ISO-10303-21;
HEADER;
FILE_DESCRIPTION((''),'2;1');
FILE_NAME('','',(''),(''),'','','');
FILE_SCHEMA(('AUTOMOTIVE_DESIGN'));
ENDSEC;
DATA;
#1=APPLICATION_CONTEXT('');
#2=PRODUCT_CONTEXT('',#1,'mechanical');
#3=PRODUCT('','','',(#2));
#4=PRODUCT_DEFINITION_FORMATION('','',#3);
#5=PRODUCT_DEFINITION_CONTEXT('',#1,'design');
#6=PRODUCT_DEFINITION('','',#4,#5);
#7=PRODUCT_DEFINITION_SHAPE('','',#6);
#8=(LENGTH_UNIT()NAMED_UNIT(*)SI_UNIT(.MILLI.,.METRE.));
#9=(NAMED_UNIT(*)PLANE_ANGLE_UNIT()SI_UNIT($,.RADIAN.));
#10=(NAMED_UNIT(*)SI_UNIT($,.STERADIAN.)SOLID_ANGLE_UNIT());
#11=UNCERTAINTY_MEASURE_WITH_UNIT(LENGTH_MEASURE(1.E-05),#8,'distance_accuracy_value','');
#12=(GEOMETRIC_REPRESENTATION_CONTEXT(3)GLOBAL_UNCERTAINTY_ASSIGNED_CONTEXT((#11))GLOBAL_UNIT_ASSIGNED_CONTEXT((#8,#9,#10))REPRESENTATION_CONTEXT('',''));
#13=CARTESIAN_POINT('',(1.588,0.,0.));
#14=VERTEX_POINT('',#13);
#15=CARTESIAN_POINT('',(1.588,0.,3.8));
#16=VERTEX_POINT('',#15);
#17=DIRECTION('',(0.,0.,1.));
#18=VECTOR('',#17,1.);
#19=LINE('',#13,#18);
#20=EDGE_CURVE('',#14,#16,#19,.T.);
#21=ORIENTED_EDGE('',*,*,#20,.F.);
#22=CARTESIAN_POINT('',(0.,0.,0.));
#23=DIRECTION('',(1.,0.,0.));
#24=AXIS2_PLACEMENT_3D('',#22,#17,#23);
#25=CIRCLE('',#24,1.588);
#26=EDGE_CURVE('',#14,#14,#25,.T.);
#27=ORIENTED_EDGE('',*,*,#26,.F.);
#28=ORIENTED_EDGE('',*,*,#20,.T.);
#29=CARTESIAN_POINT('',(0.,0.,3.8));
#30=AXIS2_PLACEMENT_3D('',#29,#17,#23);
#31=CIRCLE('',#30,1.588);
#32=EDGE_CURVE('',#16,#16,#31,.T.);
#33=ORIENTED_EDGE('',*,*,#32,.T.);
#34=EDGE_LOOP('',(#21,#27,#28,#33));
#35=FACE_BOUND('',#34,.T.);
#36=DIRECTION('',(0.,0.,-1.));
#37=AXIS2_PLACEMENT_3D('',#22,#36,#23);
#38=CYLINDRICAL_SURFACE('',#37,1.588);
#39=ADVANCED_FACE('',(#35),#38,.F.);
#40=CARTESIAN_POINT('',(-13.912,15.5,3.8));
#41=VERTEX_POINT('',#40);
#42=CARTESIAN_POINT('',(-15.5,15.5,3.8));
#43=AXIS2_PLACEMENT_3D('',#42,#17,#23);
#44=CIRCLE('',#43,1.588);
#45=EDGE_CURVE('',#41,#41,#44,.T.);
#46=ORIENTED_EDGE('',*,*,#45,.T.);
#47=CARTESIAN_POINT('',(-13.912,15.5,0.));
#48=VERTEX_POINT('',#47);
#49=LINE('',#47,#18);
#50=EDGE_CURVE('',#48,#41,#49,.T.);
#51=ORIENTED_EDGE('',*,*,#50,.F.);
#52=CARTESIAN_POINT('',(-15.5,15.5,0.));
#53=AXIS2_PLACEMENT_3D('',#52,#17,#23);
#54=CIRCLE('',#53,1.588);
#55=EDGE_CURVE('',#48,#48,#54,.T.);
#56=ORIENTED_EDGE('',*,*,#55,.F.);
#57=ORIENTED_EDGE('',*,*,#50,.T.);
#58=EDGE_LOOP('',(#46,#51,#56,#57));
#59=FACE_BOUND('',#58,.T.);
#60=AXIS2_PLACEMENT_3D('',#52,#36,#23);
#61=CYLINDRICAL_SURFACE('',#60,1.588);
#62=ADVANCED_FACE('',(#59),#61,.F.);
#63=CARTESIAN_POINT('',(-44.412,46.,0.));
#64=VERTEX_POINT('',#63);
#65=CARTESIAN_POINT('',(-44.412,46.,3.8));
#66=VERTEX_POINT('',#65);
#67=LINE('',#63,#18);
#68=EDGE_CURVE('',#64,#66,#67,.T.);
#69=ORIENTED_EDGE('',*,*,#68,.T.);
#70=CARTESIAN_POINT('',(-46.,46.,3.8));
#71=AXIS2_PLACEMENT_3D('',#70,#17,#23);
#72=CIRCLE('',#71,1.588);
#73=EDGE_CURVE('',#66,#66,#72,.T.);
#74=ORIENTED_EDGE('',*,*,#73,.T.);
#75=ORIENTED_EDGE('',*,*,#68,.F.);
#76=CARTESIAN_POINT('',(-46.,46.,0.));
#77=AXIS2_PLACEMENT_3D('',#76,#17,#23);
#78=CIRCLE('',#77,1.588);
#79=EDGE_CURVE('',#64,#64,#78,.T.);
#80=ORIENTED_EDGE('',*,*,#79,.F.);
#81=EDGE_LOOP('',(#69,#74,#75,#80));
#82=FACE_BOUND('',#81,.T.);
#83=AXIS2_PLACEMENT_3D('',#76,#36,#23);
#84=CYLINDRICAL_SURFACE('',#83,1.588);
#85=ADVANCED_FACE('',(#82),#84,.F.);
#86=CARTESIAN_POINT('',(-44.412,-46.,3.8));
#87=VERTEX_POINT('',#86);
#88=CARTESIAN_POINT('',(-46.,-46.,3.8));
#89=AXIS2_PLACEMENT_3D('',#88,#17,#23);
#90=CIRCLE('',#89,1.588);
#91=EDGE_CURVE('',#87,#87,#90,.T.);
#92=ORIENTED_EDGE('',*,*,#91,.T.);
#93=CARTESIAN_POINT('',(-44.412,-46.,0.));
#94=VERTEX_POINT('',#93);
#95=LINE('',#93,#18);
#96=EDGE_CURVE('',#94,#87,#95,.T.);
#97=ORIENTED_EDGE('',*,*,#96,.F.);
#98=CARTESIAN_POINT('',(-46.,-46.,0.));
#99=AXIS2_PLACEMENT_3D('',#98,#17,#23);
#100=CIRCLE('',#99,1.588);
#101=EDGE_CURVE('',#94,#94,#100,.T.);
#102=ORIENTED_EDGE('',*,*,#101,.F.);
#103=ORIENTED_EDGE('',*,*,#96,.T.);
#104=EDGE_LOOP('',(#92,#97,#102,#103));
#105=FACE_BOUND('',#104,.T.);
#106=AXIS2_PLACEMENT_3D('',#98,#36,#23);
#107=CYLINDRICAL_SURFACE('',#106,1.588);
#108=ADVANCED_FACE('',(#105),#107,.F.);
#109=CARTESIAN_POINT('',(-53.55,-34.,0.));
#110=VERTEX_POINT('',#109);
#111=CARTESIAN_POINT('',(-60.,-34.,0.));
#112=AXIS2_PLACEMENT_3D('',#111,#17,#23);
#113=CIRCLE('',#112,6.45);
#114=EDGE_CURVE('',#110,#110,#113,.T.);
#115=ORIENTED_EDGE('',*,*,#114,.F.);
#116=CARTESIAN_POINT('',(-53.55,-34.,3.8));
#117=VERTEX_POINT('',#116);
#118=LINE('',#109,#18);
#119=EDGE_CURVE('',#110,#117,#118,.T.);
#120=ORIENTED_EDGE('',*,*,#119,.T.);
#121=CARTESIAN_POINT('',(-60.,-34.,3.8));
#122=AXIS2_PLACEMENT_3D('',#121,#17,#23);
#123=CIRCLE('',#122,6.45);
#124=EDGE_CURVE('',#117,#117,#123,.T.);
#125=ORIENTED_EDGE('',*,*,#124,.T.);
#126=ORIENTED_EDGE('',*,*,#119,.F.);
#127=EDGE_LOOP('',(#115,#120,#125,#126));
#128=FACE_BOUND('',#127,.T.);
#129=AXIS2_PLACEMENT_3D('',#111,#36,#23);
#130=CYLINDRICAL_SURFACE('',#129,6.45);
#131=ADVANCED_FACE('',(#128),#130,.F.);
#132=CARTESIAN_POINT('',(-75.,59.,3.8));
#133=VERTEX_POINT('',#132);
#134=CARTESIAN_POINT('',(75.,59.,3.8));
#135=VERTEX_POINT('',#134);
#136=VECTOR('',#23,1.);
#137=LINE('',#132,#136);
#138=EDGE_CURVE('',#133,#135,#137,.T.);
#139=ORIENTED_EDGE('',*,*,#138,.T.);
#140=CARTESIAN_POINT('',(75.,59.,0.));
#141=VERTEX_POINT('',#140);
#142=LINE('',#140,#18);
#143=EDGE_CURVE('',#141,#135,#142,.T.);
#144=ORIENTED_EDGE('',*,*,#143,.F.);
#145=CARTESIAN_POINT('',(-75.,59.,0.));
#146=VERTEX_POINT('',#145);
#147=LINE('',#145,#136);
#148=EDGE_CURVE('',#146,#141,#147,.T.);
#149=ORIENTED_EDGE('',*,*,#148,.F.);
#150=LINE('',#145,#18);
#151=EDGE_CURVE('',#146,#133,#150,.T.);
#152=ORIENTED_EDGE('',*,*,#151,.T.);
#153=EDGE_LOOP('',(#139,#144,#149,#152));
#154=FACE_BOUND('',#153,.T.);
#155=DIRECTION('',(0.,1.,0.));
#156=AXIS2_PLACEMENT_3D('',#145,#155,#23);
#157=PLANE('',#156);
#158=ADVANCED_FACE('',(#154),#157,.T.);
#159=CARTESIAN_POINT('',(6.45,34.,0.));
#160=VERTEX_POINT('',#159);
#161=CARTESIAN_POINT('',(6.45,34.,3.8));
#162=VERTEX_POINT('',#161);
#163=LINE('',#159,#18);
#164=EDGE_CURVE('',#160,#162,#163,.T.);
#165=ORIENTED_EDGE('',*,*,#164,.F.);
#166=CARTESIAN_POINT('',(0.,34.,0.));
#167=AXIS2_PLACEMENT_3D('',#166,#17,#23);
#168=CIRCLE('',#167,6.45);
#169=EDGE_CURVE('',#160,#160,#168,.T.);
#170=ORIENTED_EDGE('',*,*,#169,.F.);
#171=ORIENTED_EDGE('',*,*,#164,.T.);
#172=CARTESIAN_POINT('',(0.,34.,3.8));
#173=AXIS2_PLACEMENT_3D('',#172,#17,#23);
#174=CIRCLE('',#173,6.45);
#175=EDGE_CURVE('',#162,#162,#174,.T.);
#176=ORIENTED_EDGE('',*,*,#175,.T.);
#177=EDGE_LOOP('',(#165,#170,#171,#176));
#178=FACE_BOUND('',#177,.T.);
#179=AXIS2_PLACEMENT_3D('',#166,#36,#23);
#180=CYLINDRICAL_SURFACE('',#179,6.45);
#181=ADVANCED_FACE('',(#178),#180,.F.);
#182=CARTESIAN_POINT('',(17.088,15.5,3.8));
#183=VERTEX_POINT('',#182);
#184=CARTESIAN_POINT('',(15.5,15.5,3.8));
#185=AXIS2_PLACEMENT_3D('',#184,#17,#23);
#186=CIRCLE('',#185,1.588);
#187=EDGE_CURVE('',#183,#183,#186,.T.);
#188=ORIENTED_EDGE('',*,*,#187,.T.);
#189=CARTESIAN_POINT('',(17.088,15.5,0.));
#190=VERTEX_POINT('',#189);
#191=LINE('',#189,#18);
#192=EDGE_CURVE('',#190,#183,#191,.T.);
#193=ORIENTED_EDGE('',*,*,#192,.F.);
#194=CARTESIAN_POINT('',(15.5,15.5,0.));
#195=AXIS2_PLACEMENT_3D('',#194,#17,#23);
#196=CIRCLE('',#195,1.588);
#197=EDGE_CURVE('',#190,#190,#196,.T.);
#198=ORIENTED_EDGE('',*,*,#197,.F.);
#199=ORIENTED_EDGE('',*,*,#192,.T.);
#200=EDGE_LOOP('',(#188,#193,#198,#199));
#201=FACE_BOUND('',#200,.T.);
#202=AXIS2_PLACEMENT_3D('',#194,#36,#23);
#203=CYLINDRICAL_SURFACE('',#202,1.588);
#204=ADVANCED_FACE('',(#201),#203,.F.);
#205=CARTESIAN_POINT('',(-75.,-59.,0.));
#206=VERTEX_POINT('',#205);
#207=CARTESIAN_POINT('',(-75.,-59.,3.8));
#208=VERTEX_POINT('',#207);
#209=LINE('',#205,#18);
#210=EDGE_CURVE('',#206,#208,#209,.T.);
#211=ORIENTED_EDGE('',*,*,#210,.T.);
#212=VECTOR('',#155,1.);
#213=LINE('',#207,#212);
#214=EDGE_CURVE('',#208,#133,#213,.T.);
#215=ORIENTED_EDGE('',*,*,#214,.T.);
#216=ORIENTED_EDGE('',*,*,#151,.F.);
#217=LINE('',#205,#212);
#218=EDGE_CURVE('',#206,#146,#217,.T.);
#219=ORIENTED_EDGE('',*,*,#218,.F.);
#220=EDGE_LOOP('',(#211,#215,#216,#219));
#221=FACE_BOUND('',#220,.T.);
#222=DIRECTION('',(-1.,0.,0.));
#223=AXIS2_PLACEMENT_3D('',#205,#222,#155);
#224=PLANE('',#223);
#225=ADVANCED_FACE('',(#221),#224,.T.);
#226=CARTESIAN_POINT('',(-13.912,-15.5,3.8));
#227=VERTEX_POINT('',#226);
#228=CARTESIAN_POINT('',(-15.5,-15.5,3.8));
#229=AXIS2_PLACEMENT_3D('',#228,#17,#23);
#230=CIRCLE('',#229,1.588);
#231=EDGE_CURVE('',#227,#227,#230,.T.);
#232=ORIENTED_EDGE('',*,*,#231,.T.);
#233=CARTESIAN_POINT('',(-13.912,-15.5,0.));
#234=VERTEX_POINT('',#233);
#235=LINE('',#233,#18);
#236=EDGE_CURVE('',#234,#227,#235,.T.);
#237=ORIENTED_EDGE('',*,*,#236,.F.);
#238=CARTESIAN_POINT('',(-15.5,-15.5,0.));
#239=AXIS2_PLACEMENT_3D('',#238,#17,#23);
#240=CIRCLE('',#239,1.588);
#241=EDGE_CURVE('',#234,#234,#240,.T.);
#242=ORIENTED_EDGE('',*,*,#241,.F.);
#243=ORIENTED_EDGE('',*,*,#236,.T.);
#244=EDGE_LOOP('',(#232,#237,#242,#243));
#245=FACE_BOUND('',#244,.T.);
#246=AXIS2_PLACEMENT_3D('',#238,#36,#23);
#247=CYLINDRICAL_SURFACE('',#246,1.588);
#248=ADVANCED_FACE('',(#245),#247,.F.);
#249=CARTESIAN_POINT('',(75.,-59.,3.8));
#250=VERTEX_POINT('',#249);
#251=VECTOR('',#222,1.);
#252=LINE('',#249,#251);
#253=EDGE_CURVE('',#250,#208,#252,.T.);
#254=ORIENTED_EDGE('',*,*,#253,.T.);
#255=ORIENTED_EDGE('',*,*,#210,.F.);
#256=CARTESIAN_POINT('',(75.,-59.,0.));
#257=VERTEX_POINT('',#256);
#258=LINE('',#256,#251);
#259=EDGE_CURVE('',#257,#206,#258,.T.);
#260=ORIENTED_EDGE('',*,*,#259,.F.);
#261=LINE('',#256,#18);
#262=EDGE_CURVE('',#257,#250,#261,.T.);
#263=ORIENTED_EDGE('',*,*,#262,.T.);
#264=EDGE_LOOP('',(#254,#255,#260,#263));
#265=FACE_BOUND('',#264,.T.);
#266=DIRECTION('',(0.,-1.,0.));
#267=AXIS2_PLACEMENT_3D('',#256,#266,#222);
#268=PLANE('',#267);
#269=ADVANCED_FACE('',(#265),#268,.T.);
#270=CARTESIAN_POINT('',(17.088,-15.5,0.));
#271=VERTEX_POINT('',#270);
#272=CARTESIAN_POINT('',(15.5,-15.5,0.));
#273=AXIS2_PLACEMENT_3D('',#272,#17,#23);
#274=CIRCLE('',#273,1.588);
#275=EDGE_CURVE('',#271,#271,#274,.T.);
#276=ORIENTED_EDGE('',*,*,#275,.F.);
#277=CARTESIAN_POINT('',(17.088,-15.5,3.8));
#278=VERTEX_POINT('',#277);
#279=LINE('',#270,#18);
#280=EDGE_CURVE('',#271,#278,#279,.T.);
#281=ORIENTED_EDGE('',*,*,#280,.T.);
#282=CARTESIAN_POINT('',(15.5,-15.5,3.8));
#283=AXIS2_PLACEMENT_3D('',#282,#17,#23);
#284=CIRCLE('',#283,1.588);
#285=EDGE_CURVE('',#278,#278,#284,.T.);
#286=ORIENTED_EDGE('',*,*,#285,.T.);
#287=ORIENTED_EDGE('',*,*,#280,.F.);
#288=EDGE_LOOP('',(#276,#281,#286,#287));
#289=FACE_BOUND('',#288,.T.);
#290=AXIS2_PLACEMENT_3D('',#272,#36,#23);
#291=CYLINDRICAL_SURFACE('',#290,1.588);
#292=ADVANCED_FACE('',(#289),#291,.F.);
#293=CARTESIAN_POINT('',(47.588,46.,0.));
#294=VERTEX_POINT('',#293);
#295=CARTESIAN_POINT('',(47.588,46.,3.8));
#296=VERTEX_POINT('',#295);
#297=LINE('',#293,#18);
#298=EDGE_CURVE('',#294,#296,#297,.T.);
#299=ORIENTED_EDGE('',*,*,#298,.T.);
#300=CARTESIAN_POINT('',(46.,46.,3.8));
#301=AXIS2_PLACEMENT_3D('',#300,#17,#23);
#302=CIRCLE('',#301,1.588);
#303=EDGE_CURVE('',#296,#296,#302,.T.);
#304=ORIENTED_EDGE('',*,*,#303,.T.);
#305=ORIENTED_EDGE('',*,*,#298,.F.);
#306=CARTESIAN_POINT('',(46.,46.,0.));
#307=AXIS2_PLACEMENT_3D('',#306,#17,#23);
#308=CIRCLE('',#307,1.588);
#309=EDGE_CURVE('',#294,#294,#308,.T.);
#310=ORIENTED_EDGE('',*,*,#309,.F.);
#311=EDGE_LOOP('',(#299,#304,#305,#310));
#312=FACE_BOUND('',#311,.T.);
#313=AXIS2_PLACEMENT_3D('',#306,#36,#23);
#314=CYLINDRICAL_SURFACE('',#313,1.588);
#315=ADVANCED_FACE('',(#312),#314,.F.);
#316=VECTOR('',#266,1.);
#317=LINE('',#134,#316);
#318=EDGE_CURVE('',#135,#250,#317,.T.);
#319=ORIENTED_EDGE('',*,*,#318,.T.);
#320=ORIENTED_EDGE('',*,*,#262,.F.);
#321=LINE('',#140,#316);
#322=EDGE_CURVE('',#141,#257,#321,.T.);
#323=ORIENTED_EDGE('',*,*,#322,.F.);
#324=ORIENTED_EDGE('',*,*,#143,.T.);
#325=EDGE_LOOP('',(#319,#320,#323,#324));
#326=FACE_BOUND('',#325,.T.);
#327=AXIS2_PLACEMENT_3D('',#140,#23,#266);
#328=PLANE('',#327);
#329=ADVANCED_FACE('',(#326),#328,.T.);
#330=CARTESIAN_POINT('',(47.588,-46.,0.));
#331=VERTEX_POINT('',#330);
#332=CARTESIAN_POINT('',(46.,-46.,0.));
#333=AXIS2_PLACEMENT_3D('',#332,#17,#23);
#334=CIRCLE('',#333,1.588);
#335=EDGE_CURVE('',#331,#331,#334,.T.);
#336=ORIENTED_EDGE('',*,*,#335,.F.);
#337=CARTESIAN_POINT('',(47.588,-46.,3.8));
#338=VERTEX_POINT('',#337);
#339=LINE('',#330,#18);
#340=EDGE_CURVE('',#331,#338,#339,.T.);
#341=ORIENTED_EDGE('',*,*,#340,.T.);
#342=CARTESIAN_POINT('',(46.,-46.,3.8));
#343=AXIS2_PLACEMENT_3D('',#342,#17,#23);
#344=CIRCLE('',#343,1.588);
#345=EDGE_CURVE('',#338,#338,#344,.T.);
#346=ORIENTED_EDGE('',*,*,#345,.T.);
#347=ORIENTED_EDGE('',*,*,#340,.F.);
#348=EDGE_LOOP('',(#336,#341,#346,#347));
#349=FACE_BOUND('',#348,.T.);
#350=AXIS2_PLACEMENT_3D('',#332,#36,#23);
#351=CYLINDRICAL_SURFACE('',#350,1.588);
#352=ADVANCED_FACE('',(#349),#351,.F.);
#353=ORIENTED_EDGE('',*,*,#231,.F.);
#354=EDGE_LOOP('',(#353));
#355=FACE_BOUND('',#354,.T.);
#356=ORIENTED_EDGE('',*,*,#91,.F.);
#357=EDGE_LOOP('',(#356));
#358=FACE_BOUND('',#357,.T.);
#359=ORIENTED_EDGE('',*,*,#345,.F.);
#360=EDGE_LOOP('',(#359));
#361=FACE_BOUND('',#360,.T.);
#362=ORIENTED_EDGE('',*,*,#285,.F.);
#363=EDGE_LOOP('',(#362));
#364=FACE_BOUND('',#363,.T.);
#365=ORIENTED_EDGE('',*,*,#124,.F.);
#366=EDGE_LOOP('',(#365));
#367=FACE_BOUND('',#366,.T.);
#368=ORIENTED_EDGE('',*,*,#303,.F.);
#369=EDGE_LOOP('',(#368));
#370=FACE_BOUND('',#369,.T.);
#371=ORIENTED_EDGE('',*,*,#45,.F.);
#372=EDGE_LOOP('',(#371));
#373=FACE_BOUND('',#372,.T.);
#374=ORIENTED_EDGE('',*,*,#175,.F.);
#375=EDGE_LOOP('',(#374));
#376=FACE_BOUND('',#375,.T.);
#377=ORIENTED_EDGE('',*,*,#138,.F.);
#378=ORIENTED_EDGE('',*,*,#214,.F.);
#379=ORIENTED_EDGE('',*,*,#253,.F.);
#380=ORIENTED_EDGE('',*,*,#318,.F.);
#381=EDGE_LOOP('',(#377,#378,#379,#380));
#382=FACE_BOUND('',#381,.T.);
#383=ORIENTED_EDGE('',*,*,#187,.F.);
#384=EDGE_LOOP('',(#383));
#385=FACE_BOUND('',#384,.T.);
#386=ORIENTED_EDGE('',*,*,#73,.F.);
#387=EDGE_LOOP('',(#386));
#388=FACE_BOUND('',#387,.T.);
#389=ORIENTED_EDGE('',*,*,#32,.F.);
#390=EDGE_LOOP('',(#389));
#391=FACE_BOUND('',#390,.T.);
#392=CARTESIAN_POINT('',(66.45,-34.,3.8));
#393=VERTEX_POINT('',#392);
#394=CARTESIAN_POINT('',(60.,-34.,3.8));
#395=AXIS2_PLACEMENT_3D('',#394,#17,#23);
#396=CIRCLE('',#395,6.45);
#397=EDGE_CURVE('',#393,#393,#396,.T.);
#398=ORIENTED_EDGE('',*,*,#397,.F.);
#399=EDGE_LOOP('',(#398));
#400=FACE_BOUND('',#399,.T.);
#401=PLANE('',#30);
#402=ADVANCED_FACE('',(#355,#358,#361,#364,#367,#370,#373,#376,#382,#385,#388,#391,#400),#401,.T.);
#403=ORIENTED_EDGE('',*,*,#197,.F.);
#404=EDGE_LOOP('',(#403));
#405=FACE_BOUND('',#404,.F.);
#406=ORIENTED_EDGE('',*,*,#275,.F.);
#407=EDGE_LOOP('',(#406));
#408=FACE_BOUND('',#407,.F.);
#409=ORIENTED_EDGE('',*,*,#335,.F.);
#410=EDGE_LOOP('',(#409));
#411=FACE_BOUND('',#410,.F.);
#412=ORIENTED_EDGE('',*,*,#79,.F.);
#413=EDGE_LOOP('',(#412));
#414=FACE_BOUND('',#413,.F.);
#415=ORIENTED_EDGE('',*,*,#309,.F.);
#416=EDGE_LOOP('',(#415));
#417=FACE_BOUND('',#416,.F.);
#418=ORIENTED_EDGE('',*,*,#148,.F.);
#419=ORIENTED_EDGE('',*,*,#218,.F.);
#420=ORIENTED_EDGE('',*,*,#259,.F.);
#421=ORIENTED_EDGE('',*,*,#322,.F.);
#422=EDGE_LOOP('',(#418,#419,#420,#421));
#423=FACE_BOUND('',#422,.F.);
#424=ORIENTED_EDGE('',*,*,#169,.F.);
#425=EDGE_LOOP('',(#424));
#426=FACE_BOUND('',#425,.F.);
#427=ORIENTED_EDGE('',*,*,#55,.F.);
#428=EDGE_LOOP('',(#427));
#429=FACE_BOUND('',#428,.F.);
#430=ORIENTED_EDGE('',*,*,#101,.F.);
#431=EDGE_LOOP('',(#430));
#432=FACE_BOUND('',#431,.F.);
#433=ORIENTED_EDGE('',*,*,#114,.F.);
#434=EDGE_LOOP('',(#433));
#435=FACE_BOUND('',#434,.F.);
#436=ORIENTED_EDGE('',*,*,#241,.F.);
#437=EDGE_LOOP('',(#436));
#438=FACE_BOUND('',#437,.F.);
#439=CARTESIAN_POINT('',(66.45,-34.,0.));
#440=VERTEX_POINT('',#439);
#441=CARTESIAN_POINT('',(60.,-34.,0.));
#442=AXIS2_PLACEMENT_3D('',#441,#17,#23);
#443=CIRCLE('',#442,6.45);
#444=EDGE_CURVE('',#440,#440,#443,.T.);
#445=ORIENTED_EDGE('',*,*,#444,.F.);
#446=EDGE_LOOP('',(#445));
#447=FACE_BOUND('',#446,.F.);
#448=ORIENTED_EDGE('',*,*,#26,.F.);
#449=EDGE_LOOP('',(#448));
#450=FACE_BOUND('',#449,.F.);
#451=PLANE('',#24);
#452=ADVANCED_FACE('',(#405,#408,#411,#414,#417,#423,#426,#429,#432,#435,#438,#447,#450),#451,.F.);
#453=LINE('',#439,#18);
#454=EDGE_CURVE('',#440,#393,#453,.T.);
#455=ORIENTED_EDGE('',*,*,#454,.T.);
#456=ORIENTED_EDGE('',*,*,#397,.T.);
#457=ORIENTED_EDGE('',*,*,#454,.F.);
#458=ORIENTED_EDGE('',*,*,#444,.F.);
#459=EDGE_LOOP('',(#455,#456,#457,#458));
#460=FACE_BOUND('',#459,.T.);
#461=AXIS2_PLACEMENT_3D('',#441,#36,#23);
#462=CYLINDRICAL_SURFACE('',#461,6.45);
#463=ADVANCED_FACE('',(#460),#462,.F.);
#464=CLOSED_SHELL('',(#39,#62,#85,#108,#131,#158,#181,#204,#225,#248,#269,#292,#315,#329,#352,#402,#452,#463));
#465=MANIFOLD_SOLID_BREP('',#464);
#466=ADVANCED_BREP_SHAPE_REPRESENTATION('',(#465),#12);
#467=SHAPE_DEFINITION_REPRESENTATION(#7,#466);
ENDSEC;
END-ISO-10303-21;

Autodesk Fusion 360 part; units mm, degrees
sketch "movingPlatform" plane through (0, 0, 0) normal (0, 0, 1) x (1, 0, 0)
  line L0 (-75, 59) -> (75, 59)
  line L1 (75, 59) -> (75, -59)
  line L2 (75, -59) -> (-75, -59)
  line L3 (-75, -59) -> (-75, 59)
  line L4 (-75, 59) -> (75, -59) construction
  line L5 (75, 59) -> (-75, -59) construction
  circle A0 centre (-60, -34) radius 6.45
  line L6 (0, 2.5) -> (0, 20)
  circle A1 centre (60, -34) radius 6.45
  circle A2 centre (0, 34) radius 6.45
  circle A3 centre (-46, -46) radius 1.588
  circle A4 centre (-15.5, -15.5) radius 1.588
  circle A5 centre (0, 0) radius 57 construction
  circle A6 centre (15.5, -15.5) radius 1.588
  circle A7 centre (15.5, 15.5) radius 1.588
  circle A8 centre (46, -46) radius 1.588
  circle A9 centre (-46, 46) radius 1.588
  circle A10 centre (46, 46) radius 1.588
  circle A11 centre (-15.5, 15.5) radius 1.588
  circle A12 centre (0, 0) radius 1.588
  dimension "d1" = 150
  dimension "d2" = 118
  dimension "d3" = 12.9
  dimension "d4" = 120
  dimension "d6" = 68
  dimension "d7" = 25
  dimension "d8" = 25
  dimension "d9" = 3.176
  dimension "d12" = 92
  dimension "d13" = 92
  dimension "d21" = 3.176
  dimension "d24" = 31
  dimension "d25" = 31
  dimension "d27" = 15.5
  dimension "d31" = 114
  dimension "d34" = 46
  dimension "d37" = 46
  dimension "d49" = 15.5
  dimension "d52" = 12.9
  dimension "d53" = 12.9
  dimension "d56" = 3.176
extrude "Extrude3" add sketch "movingPlatform" along normal blind 3.8
equation "d4 = 132.800 mm - 12.8 mm"
